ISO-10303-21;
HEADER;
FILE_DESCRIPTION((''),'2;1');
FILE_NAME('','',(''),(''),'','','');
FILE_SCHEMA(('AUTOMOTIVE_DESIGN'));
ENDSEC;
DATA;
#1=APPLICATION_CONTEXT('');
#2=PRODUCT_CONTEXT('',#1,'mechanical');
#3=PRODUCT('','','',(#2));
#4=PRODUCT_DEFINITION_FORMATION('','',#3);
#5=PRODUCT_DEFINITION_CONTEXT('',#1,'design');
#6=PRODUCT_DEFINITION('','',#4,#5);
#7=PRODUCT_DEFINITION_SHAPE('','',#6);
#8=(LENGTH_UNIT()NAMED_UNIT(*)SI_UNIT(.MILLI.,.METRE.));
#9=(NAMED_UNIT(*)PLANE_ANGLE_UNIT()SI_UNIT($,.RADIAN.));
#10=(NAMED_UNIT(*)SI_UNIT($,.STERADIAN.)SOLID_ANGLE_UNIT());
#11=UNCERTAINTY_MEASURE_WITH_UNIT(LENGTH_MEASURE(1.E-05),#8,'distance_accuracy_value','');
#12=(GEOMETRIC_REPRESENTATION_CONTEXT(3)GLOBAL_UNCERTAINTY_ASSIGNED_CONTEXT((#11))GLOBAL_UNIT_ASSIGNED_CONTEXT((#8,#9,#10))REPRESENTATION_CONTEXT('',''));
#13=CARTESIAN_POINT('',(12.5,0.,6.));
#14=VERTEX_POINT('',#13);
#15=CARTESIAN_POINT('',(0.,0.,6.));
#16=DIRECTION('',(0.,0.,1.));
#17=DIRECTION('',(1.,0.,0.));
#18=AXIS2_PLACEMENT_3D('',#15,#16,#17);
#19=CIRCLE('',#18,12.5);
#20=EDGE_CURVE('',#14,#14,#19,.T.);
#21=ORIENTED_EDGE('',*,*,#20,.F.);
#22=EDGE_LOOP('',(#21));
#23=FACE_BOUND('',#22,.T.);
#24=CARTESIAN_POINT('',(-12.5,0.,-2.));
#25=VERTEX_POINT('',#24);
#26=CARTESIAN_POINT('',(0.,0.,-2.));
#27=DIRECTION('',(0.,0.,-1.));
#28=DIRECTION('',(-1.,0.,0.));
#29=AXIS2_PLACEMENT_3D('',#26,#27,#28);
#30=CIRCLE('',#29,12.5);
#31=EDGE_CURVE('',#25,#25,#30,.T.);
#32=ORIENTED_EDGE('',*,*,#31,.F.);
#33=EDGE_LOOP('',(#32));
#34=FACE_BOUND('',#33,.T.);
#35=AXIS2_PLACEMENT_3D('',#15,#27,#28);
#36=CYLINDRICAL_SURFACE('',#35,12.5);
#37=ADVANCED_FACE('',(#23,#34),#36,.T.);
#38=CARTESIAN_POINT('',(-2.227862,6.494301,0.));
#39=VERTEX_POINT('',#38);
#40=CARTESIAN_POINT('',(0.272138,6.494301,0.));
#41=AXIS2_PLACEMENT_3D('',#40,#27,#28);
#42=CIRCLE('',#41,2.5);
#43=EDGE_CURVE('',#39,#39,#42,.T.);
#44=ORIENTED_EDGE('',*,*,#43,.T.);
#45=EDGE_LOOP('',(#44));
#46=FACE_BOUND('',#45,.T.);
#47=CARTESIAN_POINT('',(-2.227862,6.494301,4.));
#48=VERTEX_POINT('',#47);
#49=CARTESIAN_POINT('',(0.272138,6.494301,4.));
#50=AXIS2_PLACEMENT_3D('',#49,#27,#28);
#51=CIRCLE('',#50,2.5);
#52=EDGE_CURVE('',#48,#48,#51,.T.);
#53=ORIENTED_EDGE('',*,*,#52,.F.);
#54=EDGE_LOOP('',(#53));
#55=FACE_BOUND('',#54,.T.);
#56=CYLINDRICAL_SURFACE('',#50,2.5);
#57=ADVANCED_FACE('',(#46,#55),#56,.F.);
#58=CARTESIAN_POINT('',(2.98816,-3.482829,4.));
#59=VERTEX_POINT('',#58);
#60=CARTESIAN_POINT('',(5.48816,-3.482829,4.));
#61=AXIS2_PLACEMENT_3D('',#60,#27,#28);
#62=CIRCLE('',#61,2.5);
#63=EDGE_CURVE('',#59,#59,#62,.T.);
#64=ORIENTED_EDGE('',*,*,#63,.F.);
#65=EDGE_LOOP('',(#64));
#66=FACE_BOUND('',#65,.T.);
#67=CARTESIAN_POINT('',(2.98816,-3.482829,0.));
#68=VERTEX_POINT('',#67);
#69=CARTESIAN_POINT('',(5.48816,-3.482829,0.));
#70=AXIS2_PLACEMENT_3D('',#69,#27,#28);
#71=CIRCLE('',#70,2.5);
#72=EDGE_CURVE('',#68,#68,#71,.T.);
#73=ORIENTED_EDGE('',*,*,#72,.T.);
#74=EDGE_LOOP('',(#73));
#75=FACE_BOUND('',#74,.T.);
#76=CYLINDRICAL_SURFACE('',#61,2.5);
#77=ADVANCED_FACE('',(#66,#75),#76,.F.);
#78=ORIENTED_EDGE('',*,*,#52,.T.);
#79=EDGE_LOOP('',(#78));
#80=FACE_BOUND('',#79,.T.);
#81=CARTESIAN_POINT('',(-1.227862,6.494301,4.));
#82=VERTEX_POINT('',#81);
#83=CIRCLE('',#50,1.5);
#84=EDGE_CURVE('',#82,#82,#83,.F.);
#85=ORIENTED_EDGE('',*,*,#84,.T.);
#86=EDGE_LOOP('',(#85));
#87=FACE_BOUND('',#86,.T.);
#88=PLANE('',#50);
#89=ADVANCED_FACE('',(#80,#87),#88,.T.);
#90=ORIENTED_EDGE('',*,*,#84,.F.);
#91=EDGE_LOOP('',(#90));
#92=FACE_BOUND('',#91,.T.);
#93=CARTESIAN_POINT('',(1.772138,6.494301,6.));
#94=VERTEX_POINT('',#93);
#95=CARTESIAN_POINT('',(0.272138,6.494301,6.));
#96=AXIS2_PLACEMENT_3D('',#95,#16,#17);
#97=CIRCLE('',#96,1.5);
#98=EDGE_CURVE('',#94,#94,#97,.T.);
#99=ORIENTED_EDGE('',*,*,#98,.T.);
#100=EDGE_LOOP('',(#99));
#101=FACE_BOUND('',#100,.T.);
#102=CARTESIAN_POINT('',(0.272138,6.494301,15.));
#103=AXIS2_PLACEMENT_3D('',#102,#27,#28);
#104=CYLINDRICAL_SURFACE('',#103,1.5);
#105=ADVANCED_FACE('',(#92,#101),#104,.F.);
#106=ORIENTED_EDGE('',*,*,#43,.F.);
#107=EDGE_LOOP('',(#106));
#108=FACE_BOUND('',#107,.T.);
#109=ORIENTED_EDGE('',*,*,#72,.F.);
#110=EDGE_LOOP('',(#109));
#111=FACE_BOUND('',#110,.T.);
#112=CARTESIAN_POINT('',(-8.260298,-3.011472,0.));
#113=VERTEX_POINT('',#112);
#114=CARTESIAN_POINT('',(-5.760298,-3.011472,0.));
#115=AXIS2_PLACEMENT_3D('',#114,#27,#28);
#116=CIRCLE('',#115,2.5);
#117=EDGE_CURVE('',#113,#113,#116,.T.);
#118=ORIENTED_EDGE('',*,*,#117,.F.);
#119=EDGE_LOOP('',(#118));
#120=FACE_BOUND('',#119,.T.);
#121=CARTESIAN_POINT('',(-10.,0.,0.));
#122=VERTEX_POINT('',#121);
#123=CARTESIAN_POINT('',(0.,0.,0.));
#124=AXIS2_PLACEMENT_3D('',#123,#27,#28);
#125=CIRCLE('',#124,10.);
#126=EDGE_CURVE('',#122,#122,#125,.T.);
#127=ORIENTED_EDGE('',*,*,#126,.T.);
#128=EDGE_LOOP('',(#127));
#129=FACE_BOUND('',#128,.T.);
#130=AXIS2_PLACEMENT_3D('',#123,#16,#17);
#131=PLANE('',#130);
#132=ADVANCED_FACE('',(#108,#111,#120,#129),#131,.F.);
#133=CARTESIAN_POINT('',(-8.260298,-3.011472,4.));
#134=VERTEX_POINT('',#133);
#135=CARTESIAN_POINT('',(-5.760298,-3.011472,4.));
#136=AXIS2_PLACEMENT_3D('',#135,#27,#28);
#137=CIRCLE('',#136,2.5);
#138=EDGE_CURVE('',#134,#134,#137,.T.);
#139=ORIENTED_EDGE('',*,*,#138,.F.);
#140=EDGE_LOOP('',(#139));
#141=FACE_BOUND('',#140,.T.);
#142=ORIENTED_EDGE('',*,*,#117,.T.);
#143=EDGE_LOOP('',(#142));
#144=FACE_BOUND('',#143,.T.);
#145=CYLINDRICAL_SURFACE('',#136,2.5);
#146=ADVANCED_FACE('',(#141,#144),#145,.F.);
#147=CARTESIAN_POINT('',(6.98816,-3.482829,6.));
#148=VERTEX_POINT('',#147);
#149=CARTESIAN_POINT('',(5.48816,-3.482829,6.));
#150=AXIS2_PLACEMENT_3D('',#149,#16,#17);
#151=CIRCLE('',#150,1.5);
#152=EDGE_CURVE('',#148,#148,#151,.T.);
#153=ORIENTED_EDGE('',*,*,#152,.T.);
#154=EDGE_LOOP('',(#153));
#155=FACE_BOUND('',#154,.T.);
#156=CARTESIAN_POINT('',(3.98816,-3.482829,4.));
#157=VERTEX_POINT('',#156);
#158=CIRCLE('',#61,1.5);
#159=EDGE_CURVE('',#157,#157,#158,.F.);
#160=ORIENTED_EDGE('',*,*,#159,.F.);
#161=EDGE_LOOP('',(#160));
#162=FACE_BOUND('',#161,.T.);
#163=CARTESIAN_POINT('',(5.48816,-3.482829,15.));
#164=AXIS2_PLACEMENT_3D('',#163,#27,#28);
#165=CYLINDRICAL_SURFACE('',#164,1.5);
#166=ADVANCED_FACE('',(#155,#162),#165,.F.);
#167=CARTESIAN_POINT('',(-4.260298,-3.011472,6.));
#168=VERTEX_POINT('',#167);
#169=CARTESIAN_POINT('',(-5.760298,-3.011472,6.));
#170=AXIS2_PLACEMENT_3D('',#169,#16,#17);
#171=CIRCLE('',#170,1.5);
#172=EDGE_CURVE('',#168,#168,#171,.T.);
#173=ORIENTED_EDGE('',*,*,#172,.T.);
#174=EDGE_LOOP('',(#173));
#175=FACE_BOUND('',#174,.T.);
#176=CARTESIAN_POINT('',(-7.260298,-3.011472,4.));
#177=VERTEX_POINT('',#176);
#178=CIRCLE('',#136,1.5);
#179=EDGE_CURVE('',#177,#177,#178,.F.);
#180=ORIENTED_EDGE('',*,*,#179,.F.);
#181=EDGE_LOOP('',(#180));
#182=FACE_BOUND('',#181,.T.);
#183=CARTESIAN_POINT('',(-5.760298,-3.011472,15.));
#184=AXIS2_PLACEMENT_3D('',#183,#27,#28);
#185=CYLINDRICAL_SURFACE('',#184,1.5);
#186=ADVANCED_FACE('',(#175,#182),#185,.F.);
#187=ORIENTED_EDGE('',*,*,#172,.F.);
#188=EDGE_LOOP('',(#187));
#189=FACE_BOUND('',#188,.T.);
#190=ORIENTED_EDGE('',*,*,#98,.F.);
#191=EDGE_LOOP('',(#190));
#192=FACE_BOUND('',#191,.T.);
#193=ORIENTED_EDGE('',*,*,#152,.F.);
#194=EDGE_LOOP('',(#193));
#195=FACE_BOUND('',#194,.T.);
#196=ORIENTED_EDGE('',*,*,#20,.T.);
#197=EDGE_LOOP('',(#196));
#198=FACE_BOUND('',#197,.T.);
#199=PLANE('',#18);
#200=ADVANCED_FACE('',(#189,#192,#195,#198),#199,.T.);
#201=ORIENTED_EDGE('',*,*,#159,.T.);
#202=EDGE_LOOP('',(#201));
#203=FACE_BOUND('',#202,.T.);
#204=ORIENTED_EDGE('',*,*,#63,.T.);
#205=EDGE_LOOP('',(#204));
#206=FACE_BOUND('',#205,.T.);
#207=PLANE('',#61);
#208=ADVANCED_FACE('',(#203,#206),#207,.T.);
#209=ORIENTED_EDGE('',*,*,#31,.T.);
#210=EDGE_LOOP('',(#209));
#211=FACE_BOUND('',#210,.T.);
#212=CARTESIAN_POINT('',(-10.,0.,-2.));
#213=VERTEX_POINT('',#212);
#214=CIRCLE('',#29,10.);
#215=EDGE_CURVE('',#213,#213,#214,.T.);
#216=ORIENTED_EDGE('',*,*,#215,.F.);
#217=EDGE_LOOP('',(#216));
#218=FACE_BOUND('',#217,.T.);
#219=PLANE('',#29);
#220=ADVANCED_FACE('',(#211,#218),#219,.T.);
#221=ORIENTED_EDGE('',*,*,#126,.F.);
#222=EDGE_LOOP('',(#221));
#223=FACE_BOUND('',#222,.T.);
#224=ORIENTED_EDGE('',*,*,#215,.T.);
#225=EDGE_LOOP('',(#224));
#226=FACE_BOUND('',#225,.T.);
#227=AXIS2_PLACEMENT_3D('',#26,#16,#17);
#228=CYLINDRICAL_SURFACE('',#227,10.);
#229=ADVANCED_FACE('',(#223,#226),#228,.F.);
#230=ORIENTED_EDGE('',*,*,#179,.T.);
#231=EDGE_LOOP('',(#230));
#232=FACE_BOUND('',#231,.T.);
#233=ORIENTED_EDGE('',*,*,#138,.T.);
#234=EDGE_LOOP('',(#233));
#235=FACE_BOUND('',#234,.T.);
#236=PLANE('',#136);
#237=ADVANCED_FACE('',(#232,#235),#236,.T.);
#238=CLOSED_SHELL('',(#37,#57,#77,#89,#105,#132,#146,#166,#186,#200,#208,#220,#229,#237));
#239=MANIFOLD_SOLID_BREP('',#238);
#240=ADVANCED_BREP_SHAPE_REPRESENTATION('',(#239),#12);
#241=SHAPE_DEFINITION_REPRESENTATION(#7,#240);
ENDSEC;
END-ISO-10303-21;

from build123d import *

# Parameters (mm, degrees)
SKETCH2_R           = 12.5
BOSS_EXTRUDE1_DEPTH = 6
SKETCH6_R           = 1.5
CUT_EXTRUDE1_DEPTH  = 15
SKETCH8_R           = 12.5
SKETCH8_R_2         = 10
BOSS_EXTRUDE2_DEPTH = 2
SKETCH9_R           = 2.5
CUT_EXTRUDE3_DEPTH  = 4


with BuildPart() as part:
    # Sketch2 → Boss-Extrude1 (new body)
    with BuildSketch(Plane.XY):
        Circle(SKETCH2_R)
    extrude(amount=BOSS_EXTRUDE1_DEPTH)

    # Sketch6 → Cut-Extrude1 (cut)
    with BuildSketch(Plane(origin=(0, 0, 0), x_dir=(-1, 0, 0), z_dir=(0, 0, -1))):
        with Locations((-5.488160471, -3.482828541)):
            Circle(SKETCH6_R)
        with Locations((-0.272137758, 6.494300658)):
            Circle(SKETCH6_R)
        with Locations((5.760298229, -3.011472117)):
            Circle(SKETCH6_R)
    extrude(amount=-CUT_EXTRUDE1_DEPTH, mode=Mode.SUBTRACT)

    # Sketch8 → Boss-Extrude2 (add)
    with BuildSketch(Plane(origin=(0, 0, 0), x_dir=(-1, 0, 0), z_dir=(0, 0, -1))):
        Circle(SKETCH8_R)
        Circle(SKETCH8_R_2, mode=Mode.SUBTRACT)
    extrude(amount=BOSS_EXTRUDE2_DEPTH)

    # Sketch9 → Cut-Extrude3 (cut)
    with BuildSketch(Plane(origin=(0, 0, 0), x_dir=(-1, 0, 0), z_dir=(0, 0, -1))):
        with Locations((-0.272137758, 6.494300658)):
            Circle(SKETCH9_R)
        with Locations((5.760298229, -3.011472117)):
            Circle(SKETCH9_R)
        with Locations((-5.488160471, -3.482828541)):
            Circle(SKETCH9_R)
    extrude(amount=-CUT_EXTRUDE3_DEPTH, mode=Mode.SUBTRACT)


solid = part.part
